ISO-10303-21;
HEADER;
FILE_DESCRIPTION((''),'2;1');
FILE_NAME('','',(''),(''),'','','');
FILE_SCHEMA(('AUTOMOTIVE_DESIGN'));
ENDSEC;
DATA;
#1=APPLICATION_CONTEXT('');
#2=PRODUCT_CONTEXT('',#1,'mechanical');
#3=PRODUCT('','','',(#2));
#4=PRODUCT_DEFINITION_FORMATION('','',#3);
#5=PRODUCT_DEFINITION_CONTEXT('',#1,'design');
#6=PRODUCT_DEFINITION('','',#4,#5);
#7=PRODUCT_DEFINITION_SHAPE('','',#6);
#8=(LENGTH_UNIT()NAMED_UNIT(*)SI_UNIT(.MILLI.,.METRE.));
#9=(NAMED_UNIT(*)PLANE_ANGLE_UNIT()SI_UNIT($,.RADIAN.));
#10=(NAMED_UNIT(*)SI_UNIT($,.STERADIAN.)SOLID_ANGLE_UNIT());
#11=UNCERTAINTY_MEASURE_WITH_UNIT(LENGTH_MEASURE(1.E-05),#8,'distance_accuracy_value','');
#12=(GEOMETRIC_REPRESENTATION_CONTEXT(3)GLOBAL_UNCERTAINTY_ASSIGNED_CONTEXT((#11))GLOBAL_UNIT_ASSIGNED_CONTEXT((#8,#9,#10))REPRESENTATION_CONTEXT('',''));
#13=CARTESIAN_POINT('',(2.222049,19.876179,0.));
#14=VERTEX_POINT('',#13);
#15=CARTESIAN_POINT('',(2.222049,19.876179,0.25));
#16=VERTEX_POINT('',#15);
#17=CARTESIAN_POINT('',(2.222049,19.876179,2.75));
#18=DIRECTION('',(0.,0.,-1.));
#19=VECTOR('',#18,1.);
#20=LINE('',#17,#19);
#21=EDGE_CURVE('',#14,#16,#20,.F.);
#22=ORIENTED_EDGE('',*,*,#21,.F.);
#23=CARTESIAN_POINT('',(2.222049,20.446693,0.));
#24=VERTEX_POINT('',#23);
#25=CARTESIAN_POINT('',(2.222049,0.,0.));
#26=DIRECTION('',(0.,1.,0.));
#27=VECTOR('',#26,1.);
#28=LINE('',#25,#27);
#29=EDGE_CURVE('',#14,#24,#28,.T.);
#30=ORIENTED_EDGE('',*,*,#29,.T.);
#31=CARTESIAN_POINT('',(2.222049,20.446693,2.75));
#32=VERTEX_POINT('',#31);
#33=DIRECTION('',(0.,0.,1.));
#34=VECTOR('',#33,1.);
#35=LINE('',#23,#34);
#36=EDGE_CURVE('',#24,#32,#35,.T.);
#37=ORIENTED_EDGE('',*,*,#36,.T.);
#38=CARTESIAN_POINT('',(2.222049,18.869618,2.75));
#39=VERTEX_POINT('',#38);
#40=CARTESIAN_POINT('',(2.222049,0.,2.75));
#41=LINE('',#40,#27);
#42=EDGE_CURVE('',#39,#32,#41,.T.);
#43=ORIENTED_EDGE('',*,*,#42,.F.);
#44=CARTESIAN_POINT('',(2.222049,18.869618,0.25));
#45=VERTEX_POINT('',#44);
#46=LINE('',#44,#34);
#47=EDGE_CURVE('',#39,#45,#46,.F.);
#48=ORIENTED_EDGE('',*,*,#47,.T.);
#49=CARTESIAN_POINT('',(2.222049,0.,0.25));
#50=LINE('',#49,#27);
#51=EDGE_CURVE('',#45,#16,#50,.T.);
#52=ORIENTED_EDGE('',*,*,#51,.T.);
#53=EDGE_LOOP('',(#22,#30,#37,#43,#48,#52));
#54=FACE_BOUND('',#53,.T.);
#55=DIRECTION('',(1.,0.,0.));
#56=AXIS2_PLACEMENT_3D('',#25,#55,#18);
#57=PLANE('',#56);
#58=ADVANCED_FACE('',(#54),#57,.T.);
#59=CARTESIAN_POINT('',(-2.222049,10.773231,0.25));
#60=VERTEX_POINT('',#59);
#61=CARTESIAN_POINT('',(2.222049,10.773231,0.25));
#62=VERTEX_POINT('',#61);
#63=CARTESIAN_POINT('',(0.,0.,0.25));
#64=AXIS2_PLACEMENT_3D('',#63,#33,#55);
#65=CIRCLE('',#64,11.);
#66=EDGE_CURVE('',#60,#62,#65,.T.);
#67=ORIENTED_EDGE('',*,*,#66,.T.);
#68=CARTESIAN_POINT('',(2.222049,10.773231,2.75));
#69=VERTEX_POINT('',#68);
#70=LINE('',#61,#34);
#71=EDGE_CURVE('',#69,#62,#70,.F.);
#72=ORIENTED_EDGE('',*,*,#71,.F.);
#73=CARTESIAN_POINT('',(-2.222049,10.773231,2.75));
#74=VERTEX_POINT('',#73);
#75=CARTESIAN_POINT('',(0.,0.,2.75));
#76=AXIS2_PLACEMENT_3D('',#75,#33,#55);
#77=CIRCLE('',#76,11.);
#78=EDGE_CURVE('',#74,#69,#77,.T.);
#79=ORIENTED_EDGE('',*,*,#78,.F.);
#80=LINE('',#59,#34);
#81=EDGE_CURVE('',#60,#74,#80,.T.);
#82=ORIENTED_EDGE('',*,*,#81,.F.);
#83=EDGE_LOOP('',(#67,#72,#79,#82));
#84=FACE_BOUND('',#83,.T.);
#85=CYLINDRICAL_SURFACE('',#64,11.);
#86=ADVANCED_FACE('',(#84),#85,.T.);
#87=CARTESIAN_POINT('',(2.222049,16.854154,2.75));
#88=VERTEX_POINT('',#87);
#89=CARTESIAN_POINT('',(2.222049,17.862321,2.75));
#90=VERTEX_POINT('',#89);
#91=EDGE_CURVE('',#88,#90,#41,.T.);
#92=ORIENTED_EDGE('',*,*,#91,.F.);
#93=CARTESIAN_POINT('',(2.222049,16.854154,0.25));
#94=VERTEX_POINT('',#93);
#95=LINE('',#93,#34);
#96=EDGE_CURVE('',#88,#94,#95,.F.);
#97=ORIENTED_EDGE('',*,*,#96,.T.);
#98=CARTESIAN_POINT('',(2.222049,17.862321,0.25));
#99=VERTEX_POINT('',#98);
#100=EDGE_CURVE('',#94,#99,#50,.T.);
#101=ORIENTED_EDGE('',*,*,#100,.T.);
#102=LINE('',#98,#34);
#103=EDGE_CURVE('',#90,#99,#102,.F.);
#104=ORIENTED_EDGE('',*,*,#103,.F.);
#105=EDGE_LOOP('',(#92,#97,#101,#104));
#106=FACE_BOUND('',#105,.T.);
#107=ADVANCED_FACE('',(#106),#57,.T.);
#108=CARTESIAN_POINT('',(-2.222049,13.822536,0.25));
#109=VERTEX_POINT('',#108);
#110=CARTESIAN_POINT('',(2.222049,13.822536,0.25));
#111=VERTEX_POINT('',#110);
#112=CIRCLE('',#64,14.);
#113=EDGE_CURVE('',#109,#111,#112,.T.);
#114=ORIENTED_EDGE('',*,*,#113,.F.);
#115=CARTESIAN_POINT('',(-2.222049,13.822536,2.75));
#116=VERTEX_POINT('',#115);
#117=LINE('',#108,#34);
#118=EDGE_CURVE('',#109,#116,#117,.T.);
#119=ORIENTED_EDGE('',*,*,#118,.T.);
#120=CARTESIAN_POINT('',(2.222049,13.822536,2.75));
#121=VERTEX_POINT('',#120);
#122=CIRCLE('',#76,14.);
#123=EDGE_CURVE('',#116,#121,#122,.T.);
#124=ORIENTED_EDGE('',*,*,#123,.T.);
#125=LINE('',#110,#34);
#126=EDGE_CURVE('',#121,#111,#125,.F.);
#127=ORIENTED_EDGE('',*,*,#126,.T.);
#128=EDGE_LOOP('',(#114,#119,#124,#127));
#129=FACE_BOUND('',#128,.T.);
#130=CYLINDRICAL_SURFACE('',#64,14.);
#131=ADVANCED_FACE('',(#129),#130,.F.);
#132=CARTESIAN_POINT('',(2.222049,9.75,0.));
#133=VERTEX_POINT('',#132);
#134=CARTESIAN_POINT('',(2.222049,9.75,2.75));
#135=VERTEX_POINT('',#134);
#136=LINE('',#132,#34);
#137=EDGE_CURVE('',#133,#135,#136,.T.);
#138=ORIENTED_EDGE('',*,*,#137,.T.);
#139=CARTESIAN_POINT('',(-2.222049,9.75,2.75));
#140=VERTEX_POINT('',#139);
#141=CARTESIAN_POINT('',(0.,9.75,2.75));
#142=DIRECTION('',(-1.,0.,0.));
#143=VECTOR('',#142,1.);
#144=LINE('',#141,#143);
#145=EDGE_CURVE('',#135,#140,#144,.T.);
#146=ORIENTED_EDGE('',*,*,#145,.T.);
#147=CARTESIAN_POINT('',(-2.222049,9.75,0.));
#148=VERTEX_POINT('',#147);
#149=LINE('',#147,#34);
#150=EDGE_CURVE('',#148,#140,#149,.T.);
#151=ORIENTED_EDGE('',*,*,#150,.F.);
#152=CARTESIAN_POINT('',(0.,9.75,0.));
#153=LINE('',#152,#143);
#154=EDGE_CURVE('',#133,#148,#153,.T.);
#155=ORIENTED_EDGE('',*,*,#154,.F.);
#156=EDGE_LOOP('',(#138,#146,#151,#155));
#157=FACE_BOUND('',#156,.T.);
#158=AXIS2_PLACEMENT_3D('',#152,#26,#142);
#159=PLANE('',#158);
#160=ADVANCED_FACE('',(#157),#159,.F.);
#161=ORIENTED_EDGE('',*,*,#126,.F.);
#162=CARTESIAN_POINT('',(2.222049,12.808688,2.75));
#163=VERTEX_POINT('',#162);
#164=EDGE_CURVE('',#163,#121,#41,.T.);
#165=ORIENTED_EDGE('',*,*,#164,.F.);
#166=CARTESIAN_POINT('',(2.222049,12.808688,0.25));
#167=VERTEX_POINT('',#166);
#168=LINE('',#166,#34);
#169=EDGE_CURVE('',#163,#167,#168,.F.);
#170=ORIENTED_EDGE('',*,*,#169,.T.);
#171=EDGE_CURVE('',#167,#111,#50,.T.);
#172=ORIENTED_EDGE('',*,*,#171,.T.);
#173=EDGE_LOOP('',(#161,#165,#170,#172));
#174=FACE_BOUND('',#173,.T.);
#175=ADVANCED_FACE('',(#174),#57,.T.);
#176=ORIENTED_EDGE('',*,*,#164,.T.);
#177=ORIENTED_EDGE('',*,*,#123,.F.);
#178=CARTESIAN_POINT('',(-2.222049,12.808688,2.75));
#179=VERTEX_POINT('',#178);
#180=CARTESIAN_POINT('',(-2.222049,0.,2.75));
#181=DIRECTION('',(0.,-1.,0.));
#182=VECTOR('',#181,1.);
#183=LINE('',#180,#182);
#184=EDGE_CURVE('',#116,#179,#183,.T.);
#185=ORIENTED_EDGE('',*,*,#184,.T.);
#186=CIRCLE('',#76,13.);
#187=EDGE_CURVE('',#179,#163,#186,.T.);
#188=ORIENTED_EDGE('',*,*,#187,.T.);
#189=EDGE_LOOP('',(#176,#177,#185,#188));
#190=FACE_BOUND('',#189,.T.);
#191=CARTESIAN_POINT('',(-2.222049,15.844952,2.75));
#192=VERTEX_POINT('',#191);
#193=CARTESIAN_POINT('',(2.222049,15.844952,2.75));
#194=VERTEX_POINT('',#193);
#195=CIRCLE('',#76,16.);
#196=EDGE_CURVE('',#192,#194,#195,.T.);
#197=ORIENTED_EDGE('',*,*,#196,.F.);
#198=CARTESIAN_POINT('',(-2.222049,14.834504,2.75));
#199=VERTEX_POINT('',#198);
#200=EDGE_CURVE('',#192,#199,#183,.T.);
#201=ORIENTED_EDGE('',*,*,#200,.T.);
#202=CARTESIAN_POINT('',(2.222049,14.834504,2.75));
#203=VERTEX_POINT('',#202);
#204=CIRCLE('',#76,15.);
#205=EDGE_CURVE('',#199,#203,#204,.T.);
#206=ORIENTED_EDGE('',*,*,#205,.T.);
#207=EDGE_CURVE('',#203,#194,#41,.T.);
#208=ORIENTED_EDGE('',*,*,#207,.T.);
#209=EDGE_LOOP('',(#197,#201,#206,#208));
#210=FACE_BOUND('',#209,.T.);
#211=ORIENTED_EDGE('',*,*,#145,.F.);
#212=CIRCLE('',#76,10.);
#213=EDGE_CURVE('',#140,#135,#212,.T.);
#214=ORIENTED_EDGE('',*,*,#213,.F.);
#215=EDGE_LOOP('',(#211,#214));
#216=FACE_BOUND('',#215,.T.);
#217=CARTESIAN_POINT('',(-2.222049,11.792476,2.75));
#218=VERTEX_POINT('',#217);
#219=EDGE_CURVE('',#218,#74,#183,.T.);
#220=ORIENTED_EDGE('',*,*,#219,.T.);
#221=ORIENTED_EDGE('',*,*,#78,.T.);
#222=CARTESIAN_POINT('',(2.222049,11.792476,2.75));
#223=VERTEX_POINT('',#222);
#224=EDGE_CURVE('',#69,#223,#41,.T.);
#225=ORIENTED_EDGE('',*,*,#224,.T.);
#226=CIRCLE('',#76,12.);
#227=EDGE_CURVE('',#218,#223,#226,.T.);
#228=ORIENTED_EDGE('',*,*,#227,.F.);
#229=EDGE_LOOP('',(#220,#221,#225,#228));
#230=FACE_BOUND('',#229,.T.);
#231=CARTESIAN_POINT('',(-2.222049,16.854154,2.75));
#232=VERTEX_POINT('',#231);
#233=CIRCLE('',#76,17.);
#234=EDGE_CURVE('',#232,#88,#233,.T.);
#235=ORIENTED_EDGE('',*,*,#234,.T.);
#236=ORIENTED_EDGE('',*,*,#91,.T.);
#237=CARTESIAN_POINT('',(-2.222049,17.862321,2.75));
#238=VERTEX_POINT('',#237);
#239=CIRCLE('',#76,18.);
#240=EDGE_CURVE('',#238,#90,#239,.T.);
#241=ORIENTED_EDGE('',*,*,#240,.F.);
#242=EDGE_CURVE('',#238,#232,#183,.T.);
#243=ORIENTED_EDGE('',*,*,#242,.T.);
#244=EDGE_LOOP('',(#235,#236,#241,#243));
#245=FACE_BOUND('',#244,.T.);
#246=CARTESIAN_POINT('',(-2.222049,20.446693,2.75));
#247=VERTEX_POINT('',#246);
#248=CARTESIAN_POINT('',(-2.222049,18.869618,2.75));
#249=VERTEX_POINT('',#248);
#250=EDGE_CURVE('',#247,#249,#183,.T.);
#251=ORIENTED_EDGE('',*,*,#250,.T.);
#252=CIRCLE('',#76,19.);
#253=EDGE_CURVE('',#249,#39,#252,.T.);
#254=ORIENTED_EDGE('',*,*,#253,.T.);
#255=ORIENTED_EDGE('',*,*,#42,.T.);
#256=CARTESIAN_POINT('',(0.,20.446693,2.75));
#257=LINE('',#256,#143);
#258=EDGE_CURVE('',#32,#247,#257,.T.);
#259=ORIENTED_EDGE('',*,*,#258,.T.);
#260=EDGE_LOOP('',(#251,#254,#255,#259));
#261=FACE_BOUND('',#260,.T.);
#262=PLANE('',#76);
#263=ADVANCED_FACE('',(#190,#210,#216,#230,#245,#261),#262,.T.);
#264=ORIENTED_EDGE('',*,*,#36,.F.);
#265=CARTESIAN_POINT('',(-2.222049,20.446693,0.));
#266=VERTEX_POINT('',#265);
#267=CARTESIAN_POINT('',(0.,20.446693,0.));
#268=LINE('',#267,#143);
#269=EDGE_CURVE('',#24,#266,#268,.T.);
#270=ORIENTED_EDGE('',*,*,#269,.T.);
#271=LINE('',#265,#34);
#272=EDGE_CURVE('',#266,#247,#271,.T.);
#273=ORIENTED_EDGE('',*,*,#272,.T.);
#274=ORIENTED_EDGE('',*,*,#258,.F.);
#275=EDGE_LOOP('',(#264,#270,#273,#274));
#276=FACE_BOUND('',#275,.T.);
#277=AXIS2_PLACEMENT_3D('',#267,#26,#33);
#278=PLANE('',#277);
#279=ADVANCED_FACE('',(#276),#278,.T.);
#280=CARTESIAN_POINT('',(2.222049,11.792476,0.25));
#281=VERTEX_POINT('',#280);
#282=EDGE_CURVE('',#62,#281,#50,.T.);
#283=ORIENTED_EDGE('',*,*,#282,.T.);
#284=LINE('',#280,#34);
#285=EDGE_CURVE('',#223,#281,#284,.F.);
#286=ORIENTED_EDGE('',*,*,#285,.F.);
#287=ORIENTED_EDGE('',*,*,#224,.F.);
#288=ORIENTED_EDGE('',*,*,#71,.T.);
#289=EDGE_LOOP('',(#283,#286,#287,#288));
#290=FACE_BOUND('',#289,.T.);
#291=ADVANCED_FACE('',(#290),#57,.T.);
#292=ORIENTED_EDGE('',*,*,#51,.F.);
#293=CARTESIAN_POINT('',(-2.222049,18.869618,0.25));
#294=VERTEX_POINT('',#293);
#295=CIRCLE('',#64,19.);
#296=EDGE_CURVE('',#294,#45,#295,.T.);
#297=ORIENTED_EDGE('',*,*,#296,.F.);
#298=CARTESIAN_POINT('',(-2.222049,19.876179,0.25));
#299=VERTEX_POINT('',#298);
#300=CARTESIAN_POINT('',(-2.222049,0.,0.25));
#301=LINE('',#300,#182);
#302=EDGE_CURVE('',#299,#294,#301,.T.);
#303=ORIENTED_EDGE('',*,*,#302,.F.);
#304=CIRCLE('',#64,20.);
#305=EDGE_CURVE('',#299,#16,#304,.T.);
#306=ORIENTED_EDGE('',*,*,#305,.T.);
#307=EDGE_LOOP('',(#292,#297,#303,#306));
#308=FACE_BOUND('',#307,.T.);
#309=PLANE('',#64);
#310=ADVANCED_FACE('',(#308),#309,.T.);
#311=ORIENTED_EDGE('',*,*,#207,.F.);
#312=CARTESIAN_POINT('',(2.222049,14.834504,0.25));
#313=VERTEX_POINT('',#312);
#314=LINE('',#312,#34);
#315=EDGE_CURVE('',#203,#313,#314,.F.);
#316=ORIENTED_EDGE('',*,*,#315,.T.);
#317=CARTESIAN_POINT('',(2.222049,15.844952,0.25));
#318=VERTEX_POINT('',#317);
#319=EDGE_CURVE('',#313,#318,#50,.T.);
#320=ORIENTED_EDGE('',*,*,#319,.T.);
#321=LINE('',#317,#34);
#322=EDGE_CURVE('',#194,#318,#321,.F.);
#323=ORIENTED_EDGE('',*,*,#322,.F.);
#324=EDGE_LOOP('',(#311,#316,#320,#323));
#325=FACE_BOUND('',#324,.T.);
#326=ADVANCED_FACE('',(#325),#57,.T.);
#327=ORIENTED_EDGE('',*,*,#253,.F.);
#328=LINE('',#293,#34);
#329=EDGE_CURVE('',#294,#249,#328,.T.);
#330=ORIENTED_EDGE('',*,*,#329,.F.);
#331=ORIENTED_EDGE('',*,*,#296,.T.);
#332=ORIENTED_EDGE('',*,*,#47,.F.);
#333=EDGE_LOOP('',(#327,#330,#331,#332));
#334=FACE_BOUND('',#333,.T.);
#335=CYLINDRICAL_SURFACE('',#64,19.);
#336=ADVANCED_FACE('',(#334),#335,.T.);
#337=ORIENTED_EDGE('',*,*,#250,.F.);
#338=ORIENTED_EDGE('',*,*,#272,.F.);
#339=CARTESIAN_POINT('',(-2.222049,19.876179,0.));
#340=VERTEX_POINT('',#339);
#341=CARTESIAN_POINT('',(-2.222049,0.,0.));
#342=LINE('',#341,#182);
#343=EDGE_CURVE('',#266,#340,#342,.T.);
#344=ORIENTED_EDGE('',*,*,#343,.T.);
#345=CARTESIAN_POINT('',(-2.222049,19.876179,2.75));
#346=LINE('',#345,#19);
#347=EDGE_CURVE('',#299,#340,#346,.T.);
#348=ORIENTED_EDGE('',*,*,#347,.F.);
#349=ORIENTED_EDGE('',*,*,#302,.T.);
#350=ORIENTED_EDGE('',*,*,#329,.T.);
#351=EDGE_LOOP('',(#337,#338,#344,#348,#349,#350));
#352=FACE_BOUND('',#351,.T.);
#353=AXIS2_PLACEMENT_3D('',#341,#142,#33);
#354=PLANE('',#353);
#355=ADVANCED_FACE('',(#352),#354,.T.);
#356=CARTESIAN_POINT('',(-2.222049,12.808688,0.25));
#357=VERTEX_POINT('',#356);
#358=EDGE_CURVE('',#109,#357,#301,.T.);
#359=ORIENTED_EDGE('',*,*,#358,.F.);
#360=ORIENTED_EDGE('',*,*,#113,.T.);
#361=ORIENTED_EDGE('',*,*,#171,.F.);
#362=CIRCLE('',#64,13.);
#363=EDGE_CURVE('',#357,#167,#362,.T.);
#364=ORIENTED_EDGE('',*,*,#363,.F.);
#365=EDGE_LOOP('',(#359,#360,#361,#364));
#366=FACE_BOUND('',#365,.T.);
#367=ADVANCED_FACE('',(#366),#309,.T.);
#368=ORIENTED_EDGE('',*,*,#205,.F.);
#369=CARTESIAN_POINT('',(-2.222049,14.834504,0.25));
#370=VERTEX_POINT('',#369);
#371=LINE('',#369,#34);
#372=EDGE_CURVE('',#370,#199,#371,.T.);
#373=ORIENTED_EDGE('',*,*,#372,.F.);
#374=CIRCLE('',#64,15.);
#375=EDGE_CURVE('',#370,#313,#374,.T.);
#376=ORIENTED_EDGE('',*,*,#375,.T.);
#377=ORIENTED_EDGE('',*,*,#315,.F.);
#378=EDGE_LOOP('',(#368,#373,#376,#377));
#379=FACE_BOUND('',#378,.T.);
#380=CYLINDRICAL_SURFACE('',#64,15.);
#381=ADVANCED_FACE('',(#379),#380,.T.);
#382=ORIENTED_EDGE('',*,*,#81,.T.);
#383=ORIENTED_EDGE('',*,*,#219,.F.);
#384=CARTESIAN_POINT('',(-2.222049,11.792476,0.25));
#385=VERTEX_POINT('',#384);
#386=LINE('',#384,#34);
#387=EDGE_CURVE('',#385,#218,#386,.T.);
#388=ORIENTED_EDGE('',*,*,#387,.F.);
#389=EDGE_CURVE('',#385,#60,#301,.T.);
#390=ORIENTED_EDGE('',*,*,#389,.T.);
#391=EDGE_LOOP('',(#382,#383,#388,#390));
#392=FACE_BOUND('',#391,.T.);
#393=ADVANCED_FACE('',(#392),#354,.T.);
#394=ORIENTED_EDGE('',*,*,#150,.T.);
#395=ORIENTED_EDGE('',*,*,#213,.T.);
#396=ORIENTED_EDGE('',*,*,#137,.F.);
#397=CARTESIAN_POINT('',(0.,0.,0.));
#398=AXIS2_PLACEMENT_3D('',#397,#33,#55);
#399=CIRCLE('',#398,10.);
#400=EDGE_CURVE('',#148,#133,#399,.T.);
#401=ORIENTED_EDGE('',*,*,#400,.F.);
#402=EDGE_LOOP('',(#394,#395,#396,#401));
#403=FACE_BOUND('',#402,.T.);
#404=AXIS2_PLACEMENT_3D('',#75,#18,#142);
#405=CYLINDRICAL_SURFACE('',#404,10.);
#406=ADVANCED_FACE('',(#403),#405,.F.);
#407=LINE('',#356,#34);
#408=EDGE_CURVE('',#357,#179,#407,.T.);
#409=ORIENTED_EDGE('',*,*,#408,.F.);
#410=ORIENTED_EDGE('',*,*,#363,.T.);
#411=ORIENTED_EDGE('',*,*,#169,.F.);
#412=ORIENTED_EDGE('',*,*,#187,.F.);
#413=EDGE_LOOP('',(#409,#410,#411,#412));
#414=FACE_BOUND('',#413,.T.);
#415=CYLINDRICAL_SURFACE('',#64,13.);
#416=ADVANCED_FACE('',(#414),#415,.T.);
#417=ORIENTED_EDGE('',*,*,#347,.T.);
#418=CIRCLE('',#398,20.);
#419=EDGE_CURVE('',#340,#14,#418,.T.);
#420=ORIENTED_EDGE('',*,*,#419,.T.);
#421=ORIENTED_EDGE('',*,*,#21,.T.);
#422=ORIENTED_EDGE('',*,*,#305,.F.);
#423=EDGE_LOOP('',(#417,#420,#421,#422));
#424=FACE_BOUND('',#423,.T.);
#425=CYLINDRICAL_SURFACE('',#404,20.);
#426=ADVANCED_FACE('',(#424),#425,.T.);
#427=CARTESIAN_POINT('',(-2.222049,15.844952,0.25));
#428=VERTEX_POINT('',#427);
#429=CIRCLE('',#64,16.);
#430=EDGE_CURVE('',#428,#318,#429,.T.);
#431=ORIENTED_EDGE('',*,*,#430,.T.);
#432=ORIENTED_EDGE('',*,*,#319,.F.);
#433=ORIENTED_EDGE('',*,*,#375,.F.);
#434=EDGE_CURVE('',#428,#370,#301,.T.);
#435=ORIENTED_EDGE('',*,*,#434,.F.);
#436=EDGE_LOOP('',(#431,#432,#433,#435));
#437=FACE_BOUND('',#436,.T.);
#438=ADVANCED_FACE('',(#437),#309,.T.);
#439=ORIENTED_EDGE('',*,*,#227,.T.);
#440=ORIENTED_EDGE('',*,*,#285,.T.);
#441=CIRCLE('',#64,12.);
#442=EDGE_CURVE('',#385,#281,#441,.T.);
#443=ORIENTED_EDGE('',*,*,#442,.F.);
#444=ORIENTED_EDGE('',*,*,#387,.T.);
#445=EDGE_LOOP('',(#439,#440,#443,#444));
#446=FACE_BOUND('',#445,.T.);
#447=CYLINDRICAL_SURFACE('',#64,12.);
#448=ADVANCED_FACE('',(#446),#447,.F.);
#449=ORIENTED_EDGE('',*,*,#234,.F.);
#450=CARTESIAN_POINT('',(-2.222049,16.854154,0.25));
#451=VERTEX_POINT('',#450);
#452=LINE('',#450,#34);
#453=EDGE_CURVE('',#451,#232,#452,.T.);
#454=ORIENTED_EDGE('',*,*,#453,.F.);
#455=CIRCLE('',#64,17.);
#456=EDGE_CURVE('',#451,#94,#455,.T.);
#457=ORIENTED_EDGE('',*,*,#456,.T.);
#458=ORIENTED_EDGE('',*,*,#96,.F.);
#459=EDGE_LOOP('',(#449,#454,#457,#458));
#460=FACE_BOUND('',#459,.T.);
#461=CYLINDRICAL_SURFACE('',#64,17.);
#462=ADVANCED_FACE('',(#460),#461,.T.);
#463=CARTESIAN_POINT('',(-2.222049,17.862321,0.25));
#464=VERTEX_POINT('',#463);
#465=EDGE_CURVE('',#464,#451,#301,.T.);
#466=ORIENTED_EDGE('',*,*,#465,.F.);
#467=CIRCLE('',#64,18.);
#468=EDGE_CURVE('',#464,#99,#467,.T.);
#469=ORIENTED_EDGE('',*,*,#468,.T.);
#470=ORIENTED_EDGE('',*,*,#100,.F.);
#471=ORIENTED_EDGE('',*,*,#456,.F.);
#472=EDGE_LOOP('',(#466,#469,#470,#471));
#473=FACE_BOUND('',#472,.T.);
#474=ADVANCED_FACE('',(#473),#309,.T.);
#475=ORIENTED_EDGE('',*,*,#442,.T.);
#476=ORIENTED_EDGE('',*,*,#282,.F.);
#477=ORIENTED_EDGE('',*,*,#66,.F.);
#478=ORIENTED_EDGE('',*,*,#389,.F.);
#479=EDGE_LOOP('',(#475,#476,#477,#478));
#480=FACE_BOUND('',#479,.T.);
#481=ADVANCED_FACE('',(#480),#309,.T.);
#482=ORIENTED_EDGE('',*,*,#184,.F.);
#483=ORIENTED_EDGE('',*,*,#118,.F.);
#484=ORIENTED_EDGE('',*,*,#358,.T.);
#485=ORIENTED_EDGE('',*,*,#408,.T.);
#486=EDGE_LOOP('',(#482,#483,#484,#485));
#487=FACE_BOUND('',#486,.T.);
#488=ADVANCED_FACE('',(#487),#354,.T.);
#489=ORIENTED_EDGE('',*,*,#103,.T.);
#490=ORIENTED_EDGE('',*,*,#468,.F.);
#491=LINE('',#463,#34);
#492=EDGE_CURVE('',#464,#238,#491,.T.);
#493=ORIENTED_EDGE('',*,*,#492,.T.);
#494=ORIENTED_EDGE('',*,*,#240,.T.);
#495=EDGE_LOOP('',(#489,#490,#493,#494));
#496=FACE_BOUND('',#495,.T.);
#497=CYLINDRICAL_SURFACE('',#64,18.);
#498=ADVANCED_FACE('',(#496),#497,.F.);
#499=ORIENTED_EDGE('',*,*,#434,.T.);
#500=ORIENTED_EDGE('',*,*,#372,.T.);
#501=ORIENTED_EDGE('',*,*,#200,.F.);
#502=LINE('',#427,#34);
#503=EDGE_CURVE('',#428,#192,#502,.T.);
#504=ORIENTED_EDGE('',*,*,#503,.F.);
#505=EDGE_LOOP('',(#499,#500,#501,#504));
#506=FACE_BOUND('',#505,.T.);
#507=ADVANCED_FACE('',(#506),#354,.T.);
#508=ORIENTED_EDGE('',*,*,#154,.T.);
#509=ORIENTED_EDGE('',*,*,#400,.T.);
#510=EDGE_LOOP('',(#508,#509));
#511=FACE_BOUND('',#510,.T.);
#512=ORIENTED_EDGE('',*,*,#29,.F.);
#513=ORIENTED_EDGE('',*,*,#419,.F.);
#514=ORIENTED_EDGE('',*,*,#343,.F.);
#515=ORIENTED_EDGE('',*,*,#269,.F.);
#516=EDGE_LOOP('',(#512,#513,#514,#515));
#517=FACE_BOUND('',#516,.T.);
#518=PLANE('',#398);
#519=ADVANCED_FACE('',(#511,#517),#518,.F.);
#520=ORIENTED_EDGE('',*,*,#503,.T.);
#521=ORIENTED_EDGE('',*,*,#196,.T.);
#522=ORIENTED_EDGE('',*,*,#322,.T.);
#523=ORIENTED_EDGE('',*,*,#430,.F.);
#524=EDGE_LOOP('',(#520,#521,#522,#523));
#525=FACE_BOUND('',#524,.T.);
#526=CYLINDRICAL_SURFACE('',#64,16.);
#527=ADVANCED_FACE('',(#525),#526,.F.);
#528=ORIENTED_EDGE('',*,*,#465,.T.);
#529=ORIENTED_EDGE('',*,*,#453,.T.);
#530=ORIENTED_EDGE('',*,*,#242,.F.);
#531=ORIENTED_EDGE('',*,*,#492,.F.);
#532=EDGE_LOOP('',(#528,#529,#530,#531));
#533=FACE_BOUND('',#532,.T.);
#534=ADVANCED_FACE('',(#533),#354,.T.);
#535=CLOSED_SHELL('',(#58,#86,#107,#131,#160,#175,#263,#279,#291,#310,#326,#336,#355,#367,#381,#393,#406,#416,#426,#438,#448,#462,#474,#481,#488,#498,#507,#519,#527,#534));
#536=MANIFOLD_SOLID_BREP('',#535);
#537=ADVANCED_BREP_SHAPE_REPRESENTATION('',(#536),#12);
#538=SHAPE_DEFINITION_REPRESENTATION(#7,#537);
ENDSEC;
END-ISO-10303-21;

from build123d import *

# Parameters (mm, degrees)
CROQUIS1_R              = 20
CROQUIS1_R_2            = 10
SALIENTE_EXTRUIR1_DEPTH = 2.75
CORTAR_EXTRUIR1_START   = -2.5
CROQUIS2_R              = 20
CROQUIS2_R_2            = 19
CROQUIS2_R_3            = 18
CROQUIS2_R_4            = 17
CROQUIS2_R_5            = 16
CROQUIS2_R_6            = 15
CROQUIS2_R_7            = 14
CROQUIS2_R_8            = 13
CROQUIS2_R_9            = 12
CROQUIS2_R_10           = 11
CORTAR_EXTRUIR1_DEPTH   = 2.5
SALIENTE_EXTRUIR2_DEPTH = 2.75


with BuildPart() as part:
    # Croquis1 → Saliente-Extruir1 (new body)
    with BuildSketch(Plane.XY):
        Circle(CROQUIS1_R)
        Circle(CROQUIS1_R_2, mode=Mode.SUBTRACT)
    extrude(amount=SALIENTE_EXTRUIR1_DEPTH)

    # Croquis2 → Cortar-Extruir1 (cut)
    # profile 1 of 5: a face of its own
    with BuildSketch(Plane.XY.offset(2.75).offset(CORTAR_EXTRUIR1_START)):
        Circle(CROQUIS2_R)
        Circle(CROQUIS2_R_2, mode=Mode.SUBTRACT)
    # profile 2 of 5: a face of its own
    with BuildSketch(Plane.XY.offset(2.75).offset(CORTAR_EXTRUIR1_START)):
        Circle(CROQUIS2_R_3)
        Circle(CROQUIS2_R_4, mode=Mode.SUBTRACT)
    # profile 3 of 5: a face of its own
    with BuildSketch(Plane.XY.offset(2.75).offset(CORTAR_EXTRUIR1_START)):
        Circle(CROQUIS2_R_5)
        Circle(CROQUIS2_R_6, mode=Mode.SUBTRACT)
    # profile 4 of 5: a face of its own
    with BuildSketch(Plane.XY.offset(2.75).offset(CORTAR_EXTRUIR1_START)):
        Circle(CROQUIS2_R_7)
        Circle(CROQUIS2_R_8, mode=Mode.SUBTRACT)
    # profile 5 of 5: a face of its own
    with BuildSketch(Plane.XY.offset(2.75).offset(CORTAR_EXTRUIR1_START)):
        Circle(CROQUIS2_R_9)
        Circle(CROQUIS2_R_10, mode=Mode.SUBTRACT)
    extrude(amount=CORTAR_EXTRUIR1_DEPTH, mode=Mode.SUBTRACT)

    # Croquis3 → Saliente-Extruir2 (add)
    with BuildSketch(Plane.XY.offset(2.75)):
        Polygon((-2.222048604, 9.75), (0, 9.75), (2.222048604, 9.75), (2.222048604, 20.446693488), (-2.222048604, 20.446693488), align=None)
    extrude(amount=-SALIENTE_EXTRUIR2_DEPTH)


solid = part.part
